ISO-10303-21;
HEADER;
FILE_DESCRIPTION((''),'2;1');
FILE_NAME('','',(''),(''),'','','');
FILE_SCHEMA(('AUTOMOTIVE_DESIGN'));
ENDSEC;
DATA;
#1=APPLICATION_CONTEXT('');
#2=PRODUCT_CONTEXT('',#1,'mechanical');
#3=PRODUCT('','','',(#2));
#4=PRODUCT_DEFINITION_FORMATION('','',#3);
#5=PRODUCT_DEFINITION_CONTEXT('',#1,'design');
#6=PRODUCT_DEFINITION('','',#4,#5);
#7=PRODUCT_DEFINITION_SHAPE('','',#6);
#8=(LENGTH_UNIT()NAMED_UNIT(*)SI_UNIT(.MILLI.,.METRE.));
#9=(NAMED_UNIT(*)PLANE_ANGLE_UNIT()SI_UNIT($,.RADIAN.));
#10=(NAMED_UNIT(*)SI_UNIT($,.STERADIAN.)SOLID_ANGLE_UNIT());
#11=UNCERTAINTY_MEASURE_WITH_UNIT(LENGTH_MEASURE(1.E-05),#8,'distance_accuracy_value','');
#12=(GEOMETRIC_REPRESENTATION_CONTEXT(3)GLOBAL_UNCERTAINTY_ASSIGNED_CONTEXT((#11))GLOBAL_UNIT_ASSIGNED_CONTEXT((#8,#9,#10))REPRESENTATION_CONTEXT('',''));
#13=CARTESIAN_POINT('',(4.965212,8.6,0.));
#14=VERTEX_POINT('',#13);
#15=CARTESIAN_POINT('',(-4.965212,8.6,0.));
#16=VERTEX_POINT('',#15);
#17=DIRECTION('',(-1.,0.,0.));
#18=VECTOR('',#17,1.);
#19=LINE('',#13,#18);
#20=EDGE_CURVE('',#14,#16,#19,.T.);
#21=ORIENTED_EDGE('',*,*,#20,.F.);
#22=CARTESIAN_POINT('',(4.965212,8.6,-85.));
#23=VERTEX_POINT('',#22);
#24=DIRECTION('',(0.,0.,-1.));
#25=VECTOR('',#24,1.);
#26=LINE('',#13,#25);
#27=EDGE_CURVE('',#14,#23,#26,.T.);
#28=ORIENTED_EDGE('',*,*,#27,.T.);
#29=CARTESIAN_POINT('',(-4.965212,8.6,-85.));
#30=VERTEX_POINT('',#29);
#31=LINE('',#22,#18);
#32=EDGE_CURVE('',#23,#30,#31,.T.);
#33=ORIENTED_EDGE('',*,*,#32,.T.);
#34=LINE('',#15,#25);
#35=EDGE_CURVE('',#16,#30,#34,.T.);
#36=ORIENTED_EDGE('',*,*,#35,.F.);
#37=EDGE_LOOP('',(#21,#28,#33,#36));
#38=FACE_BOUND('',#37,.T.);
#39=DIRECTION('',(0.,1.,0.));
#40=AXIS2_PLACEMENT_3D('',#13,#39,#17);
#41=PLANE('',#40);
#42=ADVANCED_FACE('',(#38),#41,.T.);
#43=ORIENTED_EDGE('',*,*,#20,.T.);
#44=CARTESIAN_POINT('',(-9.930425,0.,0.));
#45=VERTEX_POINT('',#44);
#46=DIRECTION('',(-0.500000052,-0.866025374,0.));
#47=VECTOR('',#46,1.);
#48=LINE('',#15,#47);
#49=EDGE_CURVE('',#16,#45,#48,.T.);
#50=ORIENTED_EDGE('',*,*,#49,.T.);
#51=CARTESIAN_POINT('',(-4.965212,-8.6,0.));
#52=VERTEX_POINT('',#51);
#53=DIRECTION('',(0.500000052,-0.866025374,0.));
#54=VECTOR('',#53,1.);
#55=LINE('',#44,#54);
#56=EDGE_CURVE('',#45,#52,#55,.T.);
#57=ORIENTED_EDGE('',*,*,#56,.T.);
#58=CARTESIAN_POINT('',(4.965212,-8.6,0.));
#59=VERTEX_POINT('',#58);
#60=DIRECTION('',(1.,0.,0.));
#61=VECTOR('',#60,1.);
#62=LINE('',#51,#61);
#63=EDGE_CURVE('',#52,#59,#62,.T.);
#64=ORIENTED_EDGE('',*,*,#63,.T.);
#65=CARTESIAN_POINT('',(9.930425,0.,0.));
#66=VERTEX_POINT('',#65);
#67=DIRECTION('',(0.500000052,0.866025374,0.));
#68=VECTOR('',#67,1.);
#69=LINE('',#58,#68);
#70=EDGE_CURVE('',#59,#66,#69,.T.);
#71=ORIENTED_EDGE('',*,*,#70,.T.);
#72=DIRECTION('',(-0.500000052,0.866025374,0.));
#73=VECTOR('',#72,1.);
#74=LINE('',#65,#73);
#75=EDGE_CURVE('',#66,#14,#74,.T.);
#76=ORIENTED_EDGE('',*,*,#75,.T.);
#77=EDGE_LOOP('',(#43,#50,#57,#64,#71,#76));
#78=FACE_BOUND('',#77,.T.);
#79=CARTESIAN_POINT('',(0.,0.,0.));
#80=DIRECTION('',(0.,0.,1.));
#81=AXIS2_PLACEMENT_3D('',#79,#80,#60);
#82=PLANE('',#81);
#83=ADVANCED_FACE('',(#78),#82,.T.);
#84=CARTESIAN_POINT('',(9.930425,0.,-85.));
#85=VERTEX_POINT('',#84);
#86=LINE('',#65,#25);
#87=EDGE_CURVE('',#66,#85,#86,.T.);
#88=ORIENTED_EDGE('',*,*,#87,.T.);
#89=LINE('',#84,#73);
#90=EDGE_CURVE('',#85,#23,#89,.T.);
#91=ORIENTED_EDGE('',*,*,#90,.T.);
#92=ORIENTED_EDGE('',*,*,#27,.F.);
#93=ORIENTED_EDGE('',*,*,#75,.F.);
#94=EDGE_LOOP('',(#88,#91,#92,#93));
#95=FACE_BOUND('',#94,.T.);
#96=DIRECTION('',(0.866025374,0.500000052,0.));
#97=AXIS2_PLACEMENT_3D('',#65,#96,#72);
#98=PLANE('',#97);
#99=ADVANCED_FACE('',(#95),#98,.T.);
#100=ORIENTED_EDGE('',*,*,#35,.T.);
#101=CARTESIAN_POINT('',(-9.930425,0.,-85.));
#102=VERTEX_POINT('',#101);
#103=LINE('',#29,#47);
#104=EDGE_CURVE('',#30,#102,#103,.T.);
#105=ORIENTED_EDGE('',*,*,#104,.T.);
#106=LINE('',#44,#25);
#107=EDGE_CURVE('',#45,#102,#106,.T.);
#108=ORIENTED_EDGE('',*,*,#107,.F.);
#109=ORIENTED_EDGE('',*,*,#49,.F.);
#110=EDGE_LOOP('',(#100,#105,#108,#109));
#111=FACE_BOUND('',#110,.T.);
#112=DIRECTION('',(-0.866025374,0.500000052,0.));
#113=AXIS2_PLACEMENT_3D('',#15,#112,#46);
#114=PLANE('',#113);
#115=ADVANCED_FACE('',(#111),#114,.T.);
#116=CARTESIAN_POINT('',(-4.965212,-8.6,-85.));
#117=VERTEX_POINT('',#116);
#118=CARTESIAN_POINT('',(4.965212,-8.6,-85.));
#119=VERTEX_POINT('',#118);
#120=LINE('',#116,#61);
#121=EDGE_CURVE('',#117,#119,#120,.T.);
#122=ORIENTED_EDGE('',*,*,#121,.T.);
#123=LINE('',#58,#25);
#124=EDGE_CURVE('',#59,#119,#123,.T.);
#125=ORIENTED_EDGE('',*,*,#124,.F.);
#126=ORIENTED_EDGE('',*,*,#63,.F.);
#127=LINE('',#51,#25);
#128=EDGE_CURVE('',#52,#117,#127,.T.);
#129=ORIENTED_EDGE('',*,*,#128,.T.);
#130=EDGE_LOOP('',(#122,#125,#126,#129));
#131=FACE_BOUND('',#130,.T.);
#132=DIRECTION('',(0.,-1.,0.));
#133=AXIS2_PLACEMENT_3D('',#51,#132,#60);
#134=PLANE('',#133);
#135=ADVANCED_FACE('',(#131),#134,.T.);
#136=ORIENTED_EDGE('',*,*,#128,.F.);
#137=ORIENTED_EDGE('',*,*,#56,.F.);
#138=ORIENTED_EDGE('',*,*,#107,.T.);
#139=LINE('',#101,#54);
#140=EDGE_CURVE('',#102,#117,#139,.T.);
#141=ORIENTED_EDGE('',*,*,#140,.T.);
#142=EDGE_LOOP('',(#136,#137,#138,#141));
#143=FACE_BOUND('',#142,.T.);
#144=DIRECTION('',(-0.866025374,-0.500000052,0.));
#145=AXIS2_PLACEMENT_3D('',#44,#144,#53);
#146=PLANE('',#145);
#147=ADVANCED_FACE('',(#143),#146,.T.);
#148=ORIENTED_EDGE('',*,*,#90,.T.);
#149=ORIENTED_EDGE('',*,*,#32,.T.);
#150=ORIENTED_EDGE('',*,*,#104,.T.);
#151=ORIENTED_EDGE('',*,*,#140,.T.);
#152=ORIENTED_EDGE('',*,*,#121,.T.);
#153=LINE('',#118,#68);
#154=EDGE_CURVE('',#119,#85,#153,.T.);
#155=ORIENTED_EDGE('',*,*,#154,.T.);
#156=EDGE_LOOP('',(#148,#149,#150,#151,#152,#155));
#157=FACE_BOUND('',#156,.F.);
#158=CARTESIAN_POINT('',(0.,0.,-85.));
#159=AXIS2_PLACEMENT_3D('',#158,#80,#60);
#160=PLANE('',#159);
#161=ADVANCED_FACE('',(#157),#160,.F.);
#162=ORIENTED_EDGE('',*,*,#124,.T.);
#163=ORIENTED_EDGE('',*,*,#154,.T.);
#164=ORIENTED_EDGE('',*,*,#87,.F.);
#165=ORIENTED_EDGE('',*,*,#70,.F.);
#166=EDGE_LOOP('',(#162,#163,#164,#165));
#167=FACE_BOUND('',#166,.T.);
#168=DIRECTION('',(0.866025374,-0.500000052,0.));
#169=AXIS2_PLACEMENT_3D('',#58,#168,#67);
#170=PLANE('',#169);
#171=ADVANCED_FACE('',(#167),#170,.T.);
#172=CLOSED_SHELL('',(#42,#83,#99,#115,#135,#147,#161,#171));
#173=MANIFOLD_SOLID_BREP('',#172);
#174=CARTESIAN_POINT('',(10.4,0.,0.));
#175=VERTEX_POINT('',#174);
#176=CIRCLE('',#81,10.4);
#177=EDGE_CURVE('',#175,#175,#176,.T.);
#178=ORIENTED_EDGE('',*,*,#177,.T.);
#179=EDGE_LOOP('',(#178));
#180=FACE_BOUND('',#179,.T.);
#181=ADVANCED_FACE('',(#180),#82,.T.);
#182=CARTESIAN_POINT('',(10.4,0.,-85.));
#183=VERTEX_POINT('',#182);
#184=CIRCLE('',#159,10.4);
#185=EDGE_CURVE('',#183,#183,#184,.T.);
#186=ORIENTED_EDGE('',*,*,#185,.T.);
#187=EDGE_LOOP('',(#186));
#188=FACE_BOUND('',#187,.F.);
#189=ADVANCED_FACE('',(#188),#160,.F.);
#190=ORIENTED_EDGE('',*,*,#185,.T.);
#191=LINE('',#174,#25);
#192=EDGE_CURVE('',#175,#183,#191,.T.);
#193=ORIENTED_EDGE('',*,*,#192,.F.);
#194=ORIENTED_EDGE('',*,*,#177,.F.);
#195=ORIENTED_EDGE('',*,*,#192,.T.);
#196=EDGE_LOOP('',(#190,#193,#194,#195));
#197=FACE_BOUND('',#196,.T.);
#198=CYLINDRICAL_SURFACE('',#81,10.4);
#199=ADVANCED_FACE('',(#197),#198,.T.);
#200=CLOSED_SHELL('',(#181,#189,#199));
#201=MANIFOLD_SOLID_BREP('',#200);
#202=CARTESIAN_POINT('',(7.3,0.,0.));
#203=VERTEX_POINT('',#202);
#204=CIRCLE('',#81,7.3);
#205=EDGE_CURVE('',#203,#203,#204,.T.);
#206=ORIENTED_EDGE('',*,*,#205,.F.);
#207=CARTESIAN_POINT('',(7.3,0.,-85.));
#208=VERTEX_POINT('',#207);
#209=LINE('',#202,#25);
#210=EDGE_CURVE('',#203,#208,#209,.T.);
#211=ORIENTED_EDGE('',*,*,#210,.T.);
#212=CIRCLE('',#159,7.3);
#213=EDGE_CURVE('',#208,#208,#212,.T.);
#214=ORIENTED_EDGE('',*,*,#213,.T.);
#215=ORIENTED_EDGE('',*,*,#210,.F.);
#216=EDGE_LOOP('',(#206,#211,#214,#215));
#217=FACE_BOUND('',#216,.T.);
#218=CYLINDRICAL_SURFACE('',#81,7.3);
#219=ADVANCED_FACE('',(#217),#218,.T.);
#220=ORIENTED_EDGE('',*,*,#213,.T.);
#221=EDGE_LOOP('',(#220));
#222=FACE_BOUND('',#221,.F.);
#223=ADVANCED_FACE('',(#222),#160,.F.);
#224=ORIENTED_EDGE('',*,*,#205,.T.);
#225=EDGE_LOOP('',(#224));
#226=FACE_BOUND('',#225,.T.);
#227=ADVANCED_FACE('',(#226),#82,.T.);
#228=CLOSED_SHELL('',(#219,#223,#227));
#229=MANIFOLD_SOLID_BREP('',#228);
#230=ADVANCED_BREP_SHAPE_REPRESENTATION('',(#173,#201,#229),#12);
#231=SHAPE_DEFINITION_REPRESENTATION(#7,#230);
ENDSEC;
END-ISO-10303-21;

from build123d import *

# Parameters (mm, degrees)
F4_DEPTH = 85
F1_R     = 10.4
F5_DEPTH = 85
F2_R     = 7.3
F6_DEPTH = 85


with BuildPart() as f4:
    # F0 (on Top) → F4 (new body, through all)
    with BuildSketch(Plane.XY):
        Polygon((4.965212, 8.6), (-4.965212, 8.6), (-9.930425, 0), (-4.965212, -8.6), (4.965212, -8.6), (9.930425, 0), align=None)
    extrude(amount=-F4_DEPTH)


with BuildPart() as f5:
    # F1 (on Top) → F5 (new body, through all)
    with BuildSketch(Plane.XY):
        Circle(F1_R)
    extrude(amount=-F5_DEPTH)


with BuildPart() as f6:
    # F2 (on Top) → F6 (new body, through all)
    with BuildSketch(Plane.XY):
        Circle(F2_R)
    extrude(amount=-F6_DEPTH)


solid = Compound([f4.part, f5.part, f6.part])
